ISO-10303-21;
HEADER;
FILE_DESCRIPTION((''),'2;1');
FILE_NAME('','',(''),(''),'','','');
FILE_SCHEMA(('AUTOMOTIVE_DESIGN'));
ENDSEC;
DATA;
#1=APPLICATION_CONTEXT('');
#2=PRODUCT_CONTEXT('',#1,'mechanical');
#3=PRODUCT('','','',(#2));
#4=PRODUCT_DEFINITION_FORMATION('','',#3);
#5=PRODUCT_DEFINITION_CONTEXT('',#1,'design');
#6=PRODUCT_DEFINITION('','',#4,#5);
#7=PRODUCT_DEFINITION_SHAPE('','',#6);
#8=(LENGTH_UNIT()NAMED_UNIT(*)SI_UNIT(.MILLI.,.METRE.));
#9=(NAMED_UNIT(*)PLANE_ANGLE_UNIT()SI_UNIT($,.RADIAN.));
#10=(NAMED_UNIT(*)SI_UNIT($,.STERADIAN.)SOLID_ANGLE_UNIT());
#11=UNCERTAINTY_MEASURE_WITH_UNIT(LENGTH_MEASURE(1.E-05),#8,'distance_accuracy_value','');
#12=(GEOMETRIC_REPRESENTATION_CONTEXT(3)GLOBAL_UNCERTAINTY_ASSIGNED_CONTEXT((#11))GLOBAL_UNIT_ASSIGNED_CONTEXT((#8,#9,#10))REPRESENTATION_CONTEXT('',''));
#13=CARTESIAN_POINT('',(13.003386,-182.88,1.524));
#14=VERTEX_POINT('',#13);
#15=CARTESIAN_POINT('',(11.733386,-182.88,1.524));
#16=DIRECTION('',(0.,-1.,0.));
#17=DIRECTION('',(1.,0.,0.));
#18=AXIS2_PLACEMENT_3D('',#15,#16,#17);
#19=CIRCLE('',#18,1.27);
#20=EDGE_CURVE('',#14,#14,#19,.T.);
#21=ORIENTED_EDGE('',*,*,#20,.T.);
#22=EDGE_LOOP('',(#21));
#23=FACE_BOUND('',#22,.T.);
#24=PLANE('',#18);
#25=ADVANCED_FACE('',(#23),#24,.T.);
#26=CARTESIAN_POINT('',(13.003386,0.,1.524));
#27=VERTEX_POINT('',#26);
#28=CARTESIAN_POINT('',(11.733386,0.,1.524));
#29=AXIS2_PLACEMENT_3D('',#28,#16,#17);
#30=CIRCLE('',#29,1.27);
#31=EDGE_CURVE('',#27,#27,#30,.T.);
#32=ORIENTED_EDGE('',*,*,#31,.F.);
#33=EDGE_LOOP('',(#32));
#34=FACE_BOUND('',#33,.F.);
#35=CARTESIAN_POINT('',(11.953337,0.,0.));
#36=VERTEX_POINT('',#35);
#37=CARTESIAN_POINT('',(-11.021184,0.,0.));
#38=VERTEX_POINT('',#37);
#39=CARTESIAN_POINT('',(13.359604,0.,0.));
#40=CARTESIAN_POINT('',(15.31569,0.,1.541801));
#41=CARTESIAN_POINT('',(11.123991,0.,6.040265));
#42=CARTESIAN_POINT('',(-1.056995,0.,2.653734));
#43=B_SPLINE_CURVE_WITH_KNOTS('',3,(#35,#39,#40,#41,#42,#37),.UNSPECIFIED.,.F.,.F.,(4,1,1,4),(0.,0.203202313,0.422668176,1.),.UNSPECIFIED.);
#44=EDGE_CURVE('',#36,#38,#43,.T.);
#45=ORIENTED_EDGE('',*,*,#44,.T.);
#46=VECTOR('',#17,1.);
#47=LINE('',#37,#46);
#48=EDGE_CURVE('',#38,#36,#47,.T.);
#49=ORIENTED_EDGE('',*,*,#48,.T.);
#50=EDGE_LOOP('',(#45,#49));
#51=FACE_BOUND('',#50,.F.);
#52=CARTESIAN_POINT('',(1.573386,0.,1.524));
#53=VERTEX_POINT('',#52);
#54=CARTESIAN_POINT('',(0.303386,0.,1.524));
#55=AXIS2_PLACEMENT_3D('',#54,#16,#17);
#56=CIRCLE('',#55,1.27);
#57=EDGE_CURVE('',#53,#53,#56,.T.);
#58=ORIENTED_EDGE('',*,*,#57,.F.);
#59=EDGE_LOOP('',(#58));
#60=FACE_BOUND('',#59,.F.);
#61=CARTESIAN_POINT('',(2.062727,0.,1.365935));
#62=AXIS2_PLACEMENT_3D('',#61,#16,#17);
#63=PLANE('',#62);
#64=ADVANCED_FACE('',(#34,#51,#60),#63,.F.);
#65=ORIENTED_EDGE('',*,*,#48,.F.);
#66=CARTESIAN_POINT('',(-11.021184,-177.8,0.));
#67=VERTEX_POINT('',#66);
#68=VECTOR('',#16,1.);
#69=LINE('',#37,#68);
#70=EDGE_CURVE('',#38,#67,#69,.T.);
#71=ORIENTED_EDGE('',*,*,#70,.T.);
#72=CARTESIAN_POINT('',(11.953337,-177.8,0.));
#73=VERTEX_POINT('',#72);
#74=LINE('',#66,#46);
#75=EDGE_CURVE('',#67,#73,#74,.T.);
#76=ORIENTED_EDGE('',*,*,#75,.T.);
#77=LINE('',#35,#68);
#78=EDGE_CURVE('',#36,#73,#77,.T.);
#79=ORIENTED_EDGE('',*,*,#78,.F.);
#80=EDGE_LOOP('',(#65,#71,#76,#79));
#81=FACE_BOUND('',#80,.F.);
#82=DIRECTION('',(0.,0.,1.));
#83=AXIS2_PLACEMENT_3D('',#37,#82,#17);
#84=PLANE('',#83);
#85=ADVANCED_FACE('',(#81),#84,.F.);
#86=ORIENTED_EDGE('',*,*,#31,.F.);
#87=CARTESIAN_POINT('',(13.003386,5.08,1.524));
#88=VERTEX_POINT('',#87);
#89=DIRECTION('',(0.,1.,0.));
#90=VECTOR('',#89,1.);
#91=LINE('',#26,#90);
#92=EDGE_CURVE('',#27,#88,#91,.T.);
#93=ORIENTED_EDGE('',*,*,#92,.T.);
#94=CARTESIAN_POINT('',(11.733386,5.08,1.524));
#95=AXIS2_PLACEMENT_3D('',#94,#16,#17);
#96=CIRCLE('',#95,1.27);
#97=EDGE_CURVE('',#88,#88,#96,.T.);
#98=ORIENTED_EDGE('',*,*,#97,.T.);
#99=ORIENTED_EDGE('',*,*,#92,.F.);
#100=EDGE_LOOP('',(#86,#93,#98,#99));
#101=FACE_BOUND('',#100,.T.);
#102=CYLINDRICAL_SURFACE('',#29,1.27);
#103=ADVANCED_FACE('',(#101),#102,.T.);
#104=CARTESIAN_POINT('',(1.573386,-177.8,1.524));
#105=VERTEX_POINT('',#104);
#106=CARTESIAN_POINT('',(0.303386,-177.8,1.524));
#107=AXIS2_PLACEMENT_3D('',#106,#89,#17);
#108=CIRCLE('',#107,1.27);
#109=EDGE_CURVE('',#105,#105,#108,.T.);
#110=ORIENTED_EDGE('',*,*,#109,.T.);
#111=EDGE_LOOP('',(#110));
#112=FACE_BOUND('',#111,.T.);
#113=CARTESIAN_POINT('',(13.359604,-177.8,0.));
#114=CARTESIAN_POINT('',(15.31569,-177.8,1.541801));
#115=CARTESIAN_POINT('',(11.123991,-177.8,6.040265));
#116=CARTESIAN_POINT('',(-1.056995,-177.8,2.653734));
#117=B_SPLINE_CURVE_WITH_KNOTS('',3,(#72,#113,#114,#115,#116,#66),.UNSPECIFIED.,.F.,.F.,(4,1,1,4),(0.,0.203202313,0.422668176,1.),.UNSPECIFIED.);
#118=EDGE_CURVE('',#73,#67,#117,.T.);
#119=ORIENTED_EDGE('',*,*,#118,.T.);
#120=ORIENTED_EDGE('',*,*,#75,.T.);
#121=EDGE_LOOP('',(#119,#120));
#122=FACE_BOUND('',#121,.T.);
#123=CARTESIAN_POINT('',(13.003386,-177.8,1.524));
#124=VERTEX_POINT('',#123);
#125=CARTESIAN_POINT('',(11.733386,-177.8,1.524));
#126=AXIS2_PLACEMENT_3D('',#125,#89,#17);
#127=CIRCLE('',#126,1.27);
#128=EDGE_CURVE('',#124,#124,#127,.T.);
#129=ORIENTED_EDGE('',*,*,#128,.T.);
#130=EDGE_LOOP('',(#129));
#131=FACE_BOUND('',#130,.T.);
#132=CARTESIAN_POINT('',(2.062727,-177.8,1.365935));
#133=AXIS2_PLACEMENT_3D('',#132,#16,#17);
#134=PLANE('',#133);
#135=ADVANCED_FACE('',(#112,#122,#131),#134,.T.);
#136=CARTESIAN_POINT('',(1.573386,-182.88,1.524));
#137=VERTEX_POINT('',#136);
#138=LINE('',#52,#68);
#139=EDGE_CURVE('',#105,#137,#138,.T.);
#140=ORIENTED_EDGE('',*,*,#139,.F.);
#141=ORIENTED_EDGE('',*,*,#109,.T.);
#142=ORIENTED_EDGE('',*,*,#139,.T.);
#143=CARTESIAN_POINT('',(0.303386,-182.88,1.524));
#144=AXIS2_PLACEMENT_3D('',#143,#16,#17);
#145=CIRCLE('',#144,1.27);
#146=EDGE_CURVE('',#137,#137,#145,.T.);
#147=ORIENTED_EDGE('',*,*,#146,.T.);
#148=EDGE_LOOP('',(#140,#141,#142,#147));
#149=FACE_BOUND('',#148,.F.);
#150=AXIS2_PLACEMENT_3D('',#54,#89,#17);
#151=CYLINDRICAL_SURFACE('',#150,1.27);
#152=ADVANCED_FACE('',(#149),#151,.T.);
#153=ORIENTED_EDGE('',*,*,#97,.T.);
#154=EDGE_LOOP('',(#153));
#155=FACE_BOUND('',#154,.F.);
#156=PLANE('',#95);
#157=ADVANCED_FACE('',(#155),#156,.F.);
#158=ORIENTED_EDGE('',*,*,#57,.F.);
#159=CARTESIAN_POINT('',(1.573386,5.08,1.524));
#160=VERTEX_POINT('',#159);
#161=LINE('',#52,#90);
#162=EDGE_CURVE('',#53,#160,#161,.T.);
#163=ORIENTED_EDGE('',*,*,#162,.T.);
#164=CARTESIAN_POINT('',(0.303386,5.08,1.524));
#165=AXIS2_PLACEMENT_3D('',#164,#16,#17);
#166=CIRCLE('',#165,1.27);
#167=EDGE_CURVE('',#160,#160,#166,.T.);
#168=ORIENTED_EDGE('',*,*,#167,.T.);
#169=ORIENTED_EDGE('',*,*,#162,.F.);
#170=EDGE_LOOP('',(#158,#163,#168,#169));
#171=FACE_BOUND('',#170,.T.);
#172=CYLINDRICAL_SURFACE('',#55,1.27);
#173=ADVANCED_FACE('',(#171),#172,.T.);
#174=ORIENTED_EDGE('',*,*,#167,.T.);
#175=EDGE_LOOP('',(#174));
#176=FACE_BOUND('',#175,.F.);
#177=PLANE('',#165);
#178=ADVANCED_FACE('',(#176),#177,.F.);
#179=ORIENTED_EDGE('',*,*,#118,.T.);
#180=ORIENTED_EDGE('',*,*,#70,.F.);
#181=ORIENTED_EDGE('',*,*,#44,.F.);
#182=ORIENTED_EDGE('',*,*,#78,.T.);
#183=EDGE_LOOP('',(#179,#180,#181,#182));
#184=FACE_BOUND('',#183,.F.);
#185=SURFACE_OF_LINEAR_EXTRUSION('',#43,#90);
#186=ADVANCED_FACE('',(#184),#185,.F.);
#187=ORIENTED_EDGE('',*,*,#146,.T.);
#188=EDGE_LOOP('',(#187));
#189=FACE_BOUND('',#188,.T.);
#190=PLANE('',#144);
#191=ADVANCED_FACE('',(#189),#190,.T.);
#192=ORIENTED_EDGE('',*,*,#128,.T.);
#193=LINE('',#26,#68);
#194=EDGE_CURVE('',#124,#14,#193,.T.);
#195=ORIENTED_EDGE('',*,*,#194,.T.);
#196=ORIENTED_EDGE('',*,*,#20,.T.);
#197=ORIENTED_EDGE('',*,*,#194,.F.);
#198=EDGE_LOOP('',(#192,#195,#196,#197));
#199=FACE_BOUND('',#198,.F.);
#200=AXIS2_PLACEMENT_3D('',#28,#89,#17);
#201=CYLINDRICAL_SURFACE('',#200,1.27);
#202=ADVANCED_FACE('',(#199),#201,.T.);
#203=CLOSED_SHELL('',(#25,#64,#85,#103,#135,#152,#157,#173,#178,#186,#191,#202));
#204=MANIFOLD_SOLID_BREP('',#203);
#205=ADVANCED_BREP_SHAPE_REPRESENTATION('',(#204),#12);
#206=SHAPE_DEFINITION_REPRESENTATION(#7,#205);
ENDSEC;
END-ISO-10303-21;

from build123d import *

# Parameters (mm, degrees)
F0_R     = 1.27
F1_DEPTH = 177.8
F2_DEPTH = 5.08
F3_DEPTH = 182.88


with BuildPart() as f1:
    # F0 (on Front) → F1 (new body)
    with BuildSketch(Plane.XZ):
        with BuildLine():
            add(Edge.make_bspline(
                [(11.9533366035, 0), (13.3596038093, 0), (15.3156895071, 1.5418011074), (11.1239910551, 6.0402650605), (-1.0569947591, 2.6537341134), (-11.0211835916, 0)],
                knots=[0, 0, 0, 0, 0.2032023134, 0.4226681756, 1, 1, 1, 1], degree=3))
            Line((-11.0211835916, 0), (11.9533366035, 0))
        make_face()
        with Locations((0.3033857343, 1.524)):
            Circle(F0_R, mode=Mode.SUBTRACT)
        with Locations((11.7333857343, 1.524)):
            Circle(F0_R, mode=Mode.SUBTRACT)
        with Locations((0.3033857343, 1.524)):
            Circle(F0_R)
        with Locations((11.7333857343, 1.524)):
            Circle(F0_R)
    extrude(amount=F1_DEPTH)

    # F0 (on Front) → F2 (join)
    with BuildSketch(Plane.XZ):
        with Locations((11.7333857343, 1.524)):
            Circle(F0_R)
        with Locations((0.3033857343, 1.524)):
            Circle(F0_R)
    extrude(amount=-F2_DEPTH)

    # F0 (on Front) → F3 (join)
    with BuildSketch(Plane.XZ):
        with Locations((0.3033857343, 1.524)):
            Circle(F0_R)
        with Locations((11.7333857343, 1.524)):
            Circle(F0_R)
    extrude(amount=F3_DEPTH)


solid = f1.part
